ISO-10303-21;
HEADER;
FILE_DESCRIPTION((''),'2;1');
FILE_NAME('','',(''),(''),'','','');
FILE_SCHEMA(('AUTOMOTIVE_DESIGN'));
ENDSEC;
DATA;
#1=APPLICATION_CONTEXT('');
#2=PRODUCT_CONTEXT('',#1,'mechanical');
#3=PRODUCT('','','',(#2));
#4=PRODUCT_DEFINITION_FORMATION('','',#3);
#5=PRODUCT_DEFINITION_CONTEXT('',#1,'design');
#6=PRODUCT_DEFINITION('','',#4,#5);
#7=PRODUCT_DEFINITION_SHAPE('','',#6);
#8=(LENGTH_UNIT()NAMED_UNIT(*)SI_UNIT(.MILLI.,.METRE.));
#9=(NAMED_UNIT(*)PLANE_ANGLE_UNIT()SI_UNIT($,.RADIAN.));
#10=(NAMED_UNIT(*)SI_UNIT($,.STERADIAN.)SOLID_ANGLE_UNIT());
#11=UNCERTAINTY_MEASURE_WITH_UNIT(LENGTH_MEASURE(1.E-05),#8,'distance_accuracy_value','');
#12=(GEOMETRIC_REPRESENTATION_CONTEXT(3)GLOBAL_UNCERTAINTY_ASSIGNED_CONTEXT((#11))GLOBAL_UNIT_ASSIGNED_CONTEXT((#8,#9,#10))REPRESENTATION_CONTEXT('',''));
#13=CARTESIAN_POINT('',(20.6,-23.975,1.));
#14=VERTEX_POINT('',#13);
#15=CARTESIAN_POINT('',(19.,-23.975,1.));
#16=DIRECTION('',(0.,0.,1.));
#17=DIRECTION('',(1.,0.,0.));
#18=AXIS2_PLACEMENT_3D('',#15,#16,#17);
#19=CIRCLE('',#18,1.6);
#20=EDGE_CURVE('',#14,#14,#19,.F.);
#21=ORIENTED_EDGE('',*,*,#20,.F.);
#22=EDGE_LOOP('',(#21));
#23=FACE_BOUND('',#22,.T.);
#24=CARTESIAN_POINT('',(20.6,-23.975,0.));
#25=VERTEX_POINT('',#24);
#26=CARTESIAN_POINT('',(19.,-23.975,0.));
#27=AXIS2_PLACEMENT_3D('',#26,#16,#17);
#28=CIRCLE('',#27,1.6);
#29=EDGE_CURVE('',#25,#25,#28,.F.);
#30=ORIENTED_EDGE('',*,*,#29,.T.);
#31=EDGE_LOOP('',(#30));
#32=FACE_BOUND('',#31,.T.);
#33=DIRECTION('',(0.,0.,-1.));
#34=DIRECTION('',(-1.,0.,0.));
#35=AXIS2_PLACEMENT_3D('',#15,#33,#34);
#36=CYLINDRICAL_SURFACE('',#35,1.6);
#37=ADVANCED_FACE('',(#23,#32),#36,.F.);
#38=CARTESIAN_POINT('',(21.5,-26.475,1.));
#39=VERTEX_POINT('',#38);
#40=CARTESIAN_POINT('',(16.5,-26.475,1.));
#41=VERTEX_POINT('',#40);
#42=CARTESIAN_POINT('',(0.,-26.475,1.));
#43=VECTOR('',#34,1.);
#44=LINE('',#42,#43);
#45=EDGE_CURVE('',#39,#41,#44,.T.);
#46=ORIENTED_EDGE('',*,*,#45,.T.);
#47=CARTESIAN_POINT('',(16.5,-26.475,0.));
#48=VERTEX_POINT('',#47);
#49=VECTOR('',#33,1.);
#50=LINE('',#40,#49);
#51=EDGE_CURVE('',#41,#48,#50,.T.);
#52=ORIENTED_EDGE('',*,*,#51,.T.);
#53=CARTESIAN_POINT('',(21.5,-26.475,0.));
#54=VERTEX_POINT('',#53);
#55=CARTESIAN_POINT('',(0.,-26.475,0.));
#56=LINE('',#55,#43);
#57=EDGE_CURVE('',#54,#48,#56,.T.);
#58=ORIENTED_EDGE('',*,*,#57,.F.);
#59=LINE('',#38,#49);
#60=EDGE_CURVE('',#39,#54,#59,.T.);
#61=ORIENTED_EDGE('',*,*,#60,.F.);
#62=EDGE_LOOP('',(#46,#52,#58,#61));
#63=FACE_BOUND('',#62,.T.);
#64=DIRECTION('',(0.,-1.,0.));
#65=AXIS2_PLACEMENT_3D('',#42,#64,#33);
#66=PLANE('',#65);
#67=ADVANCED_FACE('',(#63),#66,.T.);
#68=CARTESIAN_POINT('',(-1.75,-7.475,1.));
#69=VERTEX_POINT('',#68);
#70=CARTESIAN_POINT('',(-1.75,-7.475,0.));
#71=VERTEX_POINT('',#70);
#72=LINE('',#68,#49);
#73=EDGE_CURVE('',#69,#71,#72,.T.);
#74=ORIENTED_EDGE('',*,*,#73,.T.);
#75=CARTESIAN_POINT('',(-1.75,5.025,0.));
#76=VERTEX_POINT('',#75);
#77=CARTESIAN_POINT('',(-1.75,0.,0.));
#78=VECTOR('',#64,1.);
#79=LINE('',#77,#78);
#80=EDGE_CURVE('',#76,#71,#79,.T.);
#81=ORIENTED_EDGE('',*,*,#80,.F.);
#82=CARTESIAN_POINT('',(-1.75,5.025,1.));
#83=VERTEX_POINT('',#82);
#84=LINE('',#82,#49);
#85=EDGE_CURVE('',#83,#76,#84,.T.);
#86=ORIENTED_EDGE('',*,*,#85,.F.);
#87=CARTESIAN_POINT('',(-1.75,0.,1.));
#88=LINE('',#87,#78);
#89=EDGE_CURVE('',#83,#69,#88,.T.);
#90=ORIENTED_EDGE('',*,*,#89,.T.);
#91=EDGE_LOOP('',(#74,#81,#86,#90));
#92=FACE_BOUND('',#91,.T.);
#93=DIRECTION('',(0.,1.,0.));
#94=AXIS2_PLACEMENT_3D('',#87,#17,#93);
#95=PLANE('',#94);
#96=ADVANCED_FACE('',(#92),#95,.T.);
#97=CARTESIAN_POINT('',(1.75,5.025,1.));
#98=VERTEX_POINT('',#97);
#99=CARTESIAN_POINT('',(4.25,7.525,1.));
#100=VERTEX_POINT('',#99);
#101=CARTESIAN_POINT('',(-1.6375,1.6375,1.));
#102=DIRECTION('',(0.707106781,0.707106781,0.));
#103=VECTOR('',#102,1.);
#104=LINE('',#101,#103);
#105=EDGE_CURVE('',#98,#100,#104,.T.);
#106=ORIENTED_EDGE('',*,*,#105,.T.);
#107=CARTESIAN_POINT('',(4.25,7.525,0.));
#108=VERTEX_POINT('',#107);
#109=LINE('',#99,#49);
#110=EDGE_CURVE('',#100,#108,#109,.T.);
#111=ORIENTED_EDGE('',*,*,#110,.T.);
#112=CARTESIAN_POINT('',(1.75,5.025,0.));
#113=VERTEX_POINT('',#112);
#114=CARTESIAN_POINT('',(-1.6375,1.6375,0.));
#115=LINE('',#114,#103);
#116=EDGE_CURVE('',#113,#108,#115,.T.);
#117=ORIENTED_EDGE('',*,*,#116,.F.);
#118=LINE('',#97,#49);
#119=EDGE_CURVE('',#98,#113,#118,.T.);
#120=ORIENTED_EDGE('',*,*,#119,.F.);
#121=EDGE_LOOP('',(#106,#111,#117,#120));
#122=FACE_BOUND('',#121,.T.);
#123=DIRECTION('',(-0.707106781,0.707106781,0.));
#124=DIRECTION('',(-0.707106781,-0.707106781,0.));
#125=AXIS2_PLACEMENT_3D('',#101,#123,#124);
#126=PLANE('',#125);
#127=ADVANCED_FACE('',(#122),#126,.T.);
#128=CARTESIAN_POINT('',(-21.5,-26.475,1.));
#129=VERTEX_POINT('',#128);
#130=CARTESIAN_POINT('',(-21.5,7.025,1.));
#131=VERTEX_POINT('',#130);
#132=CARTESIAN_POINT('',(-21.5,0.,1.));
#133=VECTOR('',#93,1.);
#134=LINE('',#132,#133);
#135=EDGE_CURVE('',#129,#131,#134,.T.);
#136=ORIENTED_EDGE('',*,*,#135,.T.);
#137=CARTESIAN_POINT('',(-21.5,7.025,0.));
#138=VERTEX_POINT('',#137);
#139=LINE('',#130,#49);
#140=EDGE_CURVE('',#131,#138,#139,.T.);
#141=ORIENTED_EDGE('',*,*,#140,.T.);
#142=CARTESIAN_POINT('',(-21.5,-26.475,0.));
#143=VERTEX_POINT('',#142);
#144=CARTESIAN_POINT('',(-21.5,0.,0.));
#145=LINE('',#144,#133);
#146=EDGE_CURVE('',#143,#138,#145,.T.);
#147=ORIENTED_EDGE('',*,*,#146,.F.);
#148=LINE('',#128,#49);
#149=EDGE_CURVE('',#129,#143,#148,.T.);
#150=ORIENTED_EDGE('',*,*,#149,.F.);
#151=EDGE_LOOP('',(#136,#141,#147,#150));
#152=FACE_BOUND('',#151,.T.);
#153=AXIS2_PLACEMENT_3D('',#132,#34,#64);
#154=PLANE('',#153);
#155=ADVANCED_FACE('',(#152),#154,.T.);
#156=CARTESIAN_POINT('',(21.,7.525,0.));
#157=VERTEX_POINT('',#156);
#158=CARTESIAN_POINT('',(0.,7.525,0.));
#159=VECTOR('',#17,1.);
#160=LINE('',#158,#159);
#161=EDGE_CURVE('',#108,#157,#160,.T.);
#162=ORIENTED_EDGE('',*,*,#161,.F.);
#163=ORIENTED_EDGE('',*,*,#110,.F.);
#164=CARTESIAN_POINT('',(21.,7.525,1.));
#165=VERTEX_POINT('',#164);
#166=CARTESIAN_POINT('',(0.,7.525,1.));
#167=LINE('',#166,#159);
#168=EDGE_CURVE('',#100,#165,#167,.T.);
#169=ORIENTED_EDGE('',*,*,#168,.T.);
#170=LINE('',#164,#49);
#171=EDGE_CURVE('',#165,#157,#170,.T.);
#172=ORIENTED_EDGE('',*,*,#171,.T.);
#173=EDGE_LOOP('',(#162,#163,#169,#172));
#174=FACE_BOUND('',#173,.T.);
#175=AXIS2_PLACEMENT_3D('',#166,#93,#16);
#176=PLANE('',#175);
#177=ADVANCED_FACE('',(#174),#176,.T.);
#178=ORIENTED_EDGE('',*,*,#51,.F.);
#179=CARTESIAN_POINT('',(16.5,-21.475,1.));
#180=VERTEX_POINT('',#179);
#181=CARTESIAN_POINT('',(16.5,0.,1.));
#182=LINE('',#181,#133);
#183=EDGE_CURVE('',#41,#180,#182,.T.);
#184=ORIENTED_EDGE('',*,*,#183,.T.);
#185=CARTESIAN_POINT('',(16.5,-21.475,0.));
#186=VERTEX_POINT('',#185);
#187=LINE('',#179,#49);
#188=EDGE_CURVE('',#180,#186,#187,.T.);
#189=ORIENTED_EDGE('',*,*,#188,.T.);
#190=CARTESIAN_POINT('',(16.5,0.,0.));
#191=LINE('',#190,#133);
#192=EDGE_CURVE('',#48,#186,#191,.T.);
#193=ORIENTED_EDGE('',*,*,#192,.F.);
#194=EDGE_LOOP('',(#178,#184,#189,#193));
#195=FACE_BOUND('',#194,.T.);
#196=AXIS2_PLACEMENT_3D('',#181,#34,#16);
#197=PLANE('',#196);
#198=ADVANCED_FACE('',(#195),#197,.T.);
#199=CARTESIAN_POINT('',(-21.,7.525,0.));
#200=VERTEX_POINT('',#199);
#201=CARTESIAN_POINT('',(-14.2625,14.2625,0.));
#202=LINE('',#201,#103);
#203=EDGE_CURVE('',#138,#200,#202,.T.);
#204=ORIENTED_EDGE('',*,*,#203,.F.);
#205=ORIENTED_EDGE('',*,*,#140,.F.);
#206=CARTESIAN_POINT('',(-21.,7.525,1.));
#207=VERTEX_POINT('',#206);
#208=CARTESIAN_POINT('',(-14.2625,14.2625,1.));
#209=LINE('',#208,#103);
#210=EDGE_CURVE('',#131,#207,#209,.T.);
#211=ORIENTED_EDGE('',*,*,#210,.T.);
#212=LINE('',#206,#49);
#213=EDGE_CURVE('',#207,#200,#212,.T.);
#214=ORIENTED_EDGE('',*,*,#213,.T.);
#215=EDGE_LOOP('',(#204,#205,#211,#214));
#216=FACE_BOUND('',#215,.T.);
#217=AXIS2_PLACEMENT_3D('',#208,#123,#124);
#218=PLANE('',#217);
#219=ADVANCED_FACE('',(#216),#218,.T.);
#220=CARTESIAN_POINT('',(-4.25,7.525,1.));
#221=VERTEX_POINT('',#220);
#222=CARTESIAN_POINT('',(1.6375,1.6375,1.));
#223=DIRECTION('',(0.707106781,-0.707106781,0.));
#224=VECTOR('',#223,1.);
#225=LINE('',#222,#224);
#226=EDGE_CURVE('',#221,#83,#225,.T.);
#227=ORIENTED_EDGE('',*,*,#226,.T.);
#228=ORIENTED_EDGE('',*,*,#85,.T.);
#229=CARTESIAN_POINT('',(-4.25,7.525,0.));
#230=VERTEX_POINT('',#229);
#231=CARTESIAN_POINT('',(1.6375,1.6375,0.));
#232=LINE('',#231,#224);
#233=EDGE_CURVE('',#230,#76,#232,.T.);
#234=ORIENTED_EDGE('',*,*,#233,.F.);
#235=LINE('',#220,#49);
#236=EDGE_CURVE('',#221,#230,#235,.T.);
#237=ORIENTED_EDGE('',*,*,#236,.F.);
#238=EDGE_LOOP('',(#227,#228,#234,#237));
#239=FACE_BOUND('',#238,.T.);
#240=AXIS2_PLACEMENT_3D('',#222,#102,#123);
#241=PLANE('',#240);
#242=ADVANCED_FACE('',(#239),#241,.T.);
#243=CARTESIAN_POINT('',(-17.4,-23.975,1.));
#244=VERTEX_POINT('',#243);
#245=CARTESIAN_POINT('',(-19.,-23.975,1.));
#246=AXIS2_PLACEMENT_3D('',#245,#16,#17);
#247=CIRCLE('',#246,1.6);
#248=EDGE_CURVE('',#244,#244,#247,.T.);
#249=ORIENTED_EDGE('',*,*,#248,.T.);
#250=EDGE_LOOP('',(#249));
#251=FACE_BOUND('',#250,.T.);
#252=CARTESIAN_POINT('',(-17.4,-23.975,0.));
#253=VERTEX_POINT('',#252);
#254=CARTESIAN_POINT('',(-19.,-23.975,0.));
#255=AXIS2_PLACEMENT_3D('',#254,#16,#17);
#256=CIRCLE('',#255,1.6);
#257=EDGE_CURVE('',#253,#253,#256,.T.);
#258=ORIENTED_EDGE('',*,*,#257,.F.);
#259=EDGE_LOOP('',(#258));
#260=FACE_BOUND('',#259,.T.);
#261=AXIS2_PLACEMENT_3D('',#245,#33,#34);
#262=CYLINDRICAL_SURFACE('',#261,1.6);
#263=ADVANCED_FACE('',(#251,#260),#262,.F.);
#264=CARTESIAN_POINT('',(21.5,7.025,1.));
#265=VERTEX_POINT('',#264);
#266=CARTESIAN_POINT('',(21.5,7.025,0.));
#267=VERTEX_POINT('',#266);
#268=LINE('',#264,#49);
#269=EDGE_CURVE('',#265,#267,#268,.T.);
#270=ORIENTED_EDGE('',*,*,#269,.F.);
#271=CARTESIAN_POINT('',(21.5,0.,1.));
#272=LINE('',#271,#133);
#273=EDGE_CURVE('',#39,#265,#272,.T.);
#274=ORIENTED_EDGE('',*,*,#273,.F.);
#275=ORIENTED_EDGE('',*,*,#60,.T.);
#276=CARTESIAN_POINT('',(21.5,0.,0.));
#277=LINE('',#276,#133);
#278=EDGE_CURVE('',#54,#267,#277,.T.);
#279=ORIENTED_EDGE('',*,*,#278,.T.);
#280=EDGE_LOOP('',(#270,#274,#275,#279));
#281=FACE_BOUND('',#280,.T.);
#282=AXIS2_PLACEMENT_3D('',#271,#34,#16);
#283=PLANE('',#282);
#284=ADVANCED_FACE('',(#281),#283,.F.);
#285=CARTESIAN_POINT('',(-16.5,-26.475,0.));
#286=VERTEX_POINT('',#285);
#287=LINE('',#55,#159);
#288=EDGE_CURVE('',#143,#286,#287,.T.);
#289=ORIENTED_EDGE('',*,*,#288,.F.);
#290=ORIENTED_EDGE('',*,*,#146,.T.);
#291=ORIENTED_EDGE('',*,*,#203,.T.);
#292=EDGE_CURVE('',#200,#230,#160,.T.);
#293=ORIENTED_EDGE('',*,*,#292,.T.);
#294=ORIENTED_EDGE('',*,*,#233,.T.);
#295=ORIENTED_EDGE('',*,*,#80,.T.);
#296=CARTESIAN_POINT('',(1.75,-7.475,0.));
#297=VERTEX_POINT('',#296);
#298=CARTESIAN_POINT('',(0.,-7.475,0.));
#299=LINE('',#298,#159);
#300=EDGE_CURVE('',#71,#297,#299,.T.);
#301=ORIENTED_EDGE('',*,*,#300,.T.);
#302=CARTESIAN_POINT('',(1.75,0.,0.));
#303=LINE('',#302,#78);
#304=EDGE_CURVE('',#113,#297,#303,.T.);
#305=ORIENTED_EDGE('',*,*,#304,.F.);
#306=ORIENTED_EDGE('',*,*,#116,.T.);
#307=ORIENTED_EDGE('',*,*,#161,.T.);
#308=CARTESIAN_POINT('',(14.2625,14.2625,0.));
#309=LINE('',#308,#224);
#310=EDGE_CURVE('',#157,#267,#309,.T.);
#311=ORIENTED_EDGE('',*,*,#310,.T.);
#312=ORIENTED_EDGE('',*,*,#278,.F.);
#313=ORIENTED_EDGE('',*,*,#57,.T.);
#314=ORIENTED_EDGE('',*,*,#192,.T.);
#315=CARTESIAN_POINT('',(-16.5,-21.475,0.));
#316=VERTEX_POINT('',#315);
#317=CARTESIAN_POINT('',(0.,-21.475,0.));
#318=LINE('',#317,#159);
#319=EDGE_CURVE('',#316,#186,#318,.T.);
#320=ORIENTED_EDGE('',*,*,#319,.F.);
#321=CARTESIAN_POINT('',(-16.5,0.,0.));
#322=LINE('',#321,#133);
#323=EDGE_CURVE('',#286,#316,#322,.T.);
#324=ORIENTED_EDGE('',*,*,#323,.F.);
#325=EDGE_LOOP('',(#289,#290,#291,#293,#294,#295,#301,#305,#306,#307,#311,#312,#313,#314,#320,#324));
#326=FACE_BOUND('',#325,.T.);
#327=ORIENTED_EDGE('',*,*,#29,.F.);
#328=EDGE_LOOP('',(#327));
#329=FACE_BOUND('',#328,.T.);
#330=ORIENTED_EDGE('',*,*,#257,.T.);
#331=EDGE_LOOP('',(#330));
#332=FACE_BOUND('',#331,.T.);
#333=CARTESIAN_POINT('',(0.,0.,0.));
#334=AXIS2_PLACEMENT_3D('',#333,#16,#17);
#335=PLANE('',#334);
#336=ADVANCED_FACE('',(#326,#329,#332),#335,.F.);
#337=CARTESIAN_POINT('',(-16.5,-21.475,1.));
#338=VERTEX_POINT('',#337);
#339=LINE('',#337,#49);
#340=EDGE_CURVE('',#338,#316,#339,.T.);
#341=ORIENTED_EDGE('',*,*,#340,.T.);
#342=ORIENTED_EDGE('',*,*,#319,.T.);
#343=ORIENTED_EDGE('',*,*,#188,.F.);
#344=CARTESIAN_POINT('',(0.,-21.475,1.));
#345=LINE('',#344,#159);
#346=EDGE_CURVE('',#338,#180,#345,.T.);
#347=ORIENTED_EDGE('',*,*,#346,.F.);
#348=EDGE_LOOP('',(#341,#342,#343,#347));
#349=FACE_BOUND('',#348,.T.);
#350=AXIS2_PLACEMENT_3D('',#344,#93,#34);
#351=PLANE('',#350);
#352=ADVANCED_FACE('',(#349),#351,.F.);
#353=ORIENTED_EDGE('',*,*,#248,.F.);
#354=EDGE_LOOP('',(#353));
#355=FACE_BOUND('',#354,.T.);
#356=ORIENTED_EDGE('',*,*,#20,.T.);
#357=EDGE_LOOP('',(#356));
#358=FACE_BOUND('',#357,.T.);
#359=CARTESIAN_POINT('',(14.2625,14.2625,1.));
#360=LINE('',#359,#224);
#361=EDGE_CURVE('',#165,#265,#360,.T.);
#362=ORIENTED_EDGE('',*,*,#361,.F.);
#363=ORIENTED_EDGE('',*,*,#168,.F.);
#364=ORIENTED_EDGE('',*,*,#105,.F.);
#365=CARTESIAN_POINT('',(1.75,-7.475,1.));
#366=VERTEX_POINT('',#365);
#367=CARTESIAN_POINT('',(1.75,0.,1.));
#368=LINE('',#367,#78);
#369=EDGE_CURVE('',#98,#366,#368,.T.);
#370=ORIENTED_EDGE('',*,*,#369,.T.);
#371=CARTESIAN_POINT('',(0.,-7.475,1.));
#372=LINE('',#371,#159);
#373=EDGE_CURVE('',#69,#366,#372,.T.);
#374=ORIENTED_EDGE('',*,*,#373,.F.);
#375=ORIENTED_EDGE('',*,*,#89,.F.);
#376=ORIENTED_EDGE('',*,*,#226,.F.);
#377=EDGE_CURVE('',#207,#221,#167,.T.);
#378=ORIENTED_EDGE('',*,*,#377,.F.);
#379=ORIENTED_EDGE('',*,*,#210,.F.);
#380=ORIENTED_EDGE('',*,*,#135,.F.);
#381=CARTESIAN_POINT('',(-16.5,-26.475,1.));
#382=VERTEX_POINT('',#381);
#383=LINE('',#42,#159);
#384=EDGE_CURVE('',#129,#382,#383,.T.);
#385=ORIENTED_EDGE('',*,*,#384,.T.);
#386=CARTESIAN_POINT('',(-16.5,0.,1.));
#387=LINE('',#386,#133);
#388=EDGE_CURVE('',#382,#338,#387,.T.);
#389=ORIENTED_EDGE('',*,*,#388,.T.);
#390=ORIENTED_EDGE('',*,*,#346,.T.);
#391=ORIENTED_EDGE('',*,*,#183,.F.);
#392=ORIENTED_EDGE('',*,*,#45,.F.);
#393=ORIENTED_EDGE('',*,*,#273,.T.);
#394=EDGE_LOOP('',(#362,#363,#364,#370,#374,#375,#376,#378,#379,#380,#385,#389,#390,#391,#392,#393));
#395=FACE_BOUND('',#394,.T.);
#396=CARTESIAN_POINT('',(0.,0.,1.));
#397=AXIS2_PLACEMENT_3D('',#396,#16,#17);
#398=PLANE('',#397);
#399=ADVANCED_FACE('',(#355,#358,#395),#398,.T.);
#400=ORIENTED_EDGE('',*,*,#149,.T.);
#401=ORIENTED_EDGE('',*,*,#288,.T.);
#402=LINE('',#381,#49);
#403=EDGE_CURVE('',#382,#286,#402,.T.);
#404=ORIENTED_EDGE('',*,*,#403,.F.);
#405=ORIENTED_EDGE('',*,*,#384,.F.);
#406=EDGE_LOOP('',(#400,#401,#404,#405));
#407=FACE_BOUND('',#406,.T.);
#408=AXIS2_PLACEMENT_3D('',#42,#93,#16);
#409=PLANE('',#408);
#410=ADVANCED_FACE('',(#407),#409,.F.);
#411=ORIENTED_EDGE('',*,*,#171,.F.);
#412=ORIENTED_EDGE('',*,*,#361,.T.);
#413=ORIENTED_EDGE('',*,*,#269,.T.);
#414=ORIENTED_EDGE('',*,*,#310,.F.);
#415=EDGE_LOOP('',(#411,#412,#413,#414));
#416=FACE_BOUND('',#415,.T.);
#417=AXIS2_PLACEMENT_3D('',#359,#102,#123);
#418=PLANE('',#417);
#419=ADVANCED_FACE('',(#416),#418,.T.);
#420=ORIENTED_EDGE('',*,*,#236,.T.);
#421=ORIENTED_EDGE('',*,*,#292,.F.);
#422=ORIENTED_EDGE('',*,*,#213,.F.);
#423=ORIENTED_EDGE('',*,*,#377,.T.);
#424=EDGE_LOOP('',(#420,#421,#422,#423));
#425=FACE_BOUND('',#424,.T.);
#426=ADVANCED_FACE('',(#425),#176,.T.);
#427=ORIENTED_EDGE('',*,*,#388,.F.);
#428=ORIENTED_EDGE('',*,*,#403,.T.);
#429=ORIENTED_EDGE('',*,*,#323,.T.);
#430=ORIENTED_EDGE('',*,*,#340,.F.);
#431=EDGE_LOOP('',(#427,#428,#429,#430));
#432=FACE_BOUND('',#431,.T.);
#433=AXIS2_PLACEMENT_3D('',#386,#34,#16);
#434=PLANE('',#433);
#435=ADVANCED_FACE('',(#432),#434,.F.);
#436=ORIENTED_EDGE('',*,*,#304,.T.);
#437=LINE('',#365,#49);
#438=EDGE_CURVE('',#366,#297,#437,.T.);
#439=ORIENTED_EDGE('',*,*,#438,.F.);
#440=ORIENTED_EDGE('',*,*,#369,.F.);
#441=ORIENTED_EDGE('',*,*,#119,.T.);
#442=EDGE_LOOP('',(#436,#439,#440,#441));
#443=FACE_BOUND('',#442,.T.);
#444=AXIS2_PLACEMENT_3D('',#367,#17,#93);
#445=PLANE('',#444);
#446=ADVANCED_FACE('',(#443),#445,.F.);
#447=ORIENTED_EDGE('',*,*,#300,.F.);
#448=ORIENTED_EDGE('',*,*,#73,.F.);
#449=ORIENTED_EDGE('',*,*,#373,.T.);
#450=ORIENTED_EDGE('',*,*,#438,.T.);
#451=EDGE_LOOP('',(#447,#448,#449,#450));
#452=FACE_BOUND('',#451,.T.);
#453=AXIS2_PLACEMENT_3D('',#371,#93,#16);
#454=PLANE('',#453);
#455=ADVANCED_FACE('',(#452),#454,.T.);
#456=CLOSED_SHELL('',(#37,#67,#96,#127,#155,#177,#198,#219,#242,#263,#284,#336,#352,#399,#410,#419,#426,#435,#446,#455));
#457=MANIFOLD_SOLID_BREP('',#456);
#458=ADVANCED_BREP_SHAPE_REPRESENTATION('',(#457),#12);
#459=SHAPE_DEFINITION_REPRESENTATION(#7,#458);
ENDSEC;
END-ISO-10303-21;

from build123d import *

# Parameters (mm, degrees)
SKETCH1_R           = 1.6
BOSS_EXTRUDE1_DEPTH = 1


with BuildPart() as part:
    # Sketch1 → Boss-Extrude1 (new body)
    with BuildSketch(Plane.XY):
        Polygon((4.25, 7.525), (1.75, 5.025), (1.75, -7.475), (-1.75, -7.475), (-1.75, 5.025), (-4.25, 7.525), (-21, 7.525), (-21.5, 7.025), (-21.5, -26.475), (-16.5, -26.475), (-16.5, -21.475), (16.5, -21.475), (16.5, -26.475), (21.5, -26.475), (21.5, 7.025), (21, 7.525), align=None)
        with Locations((19, -23.975)):
            Circle(SKETCH1_R, mode=Mode.SUBTRACT)
        with Locations((-19, -23.975)):
            Circle(SKETCH1_R, mode=Mode.SUBTRACT)
    extrude(amount=BOSS_EXTRUDE1_DEPTH)


solid = part.part
